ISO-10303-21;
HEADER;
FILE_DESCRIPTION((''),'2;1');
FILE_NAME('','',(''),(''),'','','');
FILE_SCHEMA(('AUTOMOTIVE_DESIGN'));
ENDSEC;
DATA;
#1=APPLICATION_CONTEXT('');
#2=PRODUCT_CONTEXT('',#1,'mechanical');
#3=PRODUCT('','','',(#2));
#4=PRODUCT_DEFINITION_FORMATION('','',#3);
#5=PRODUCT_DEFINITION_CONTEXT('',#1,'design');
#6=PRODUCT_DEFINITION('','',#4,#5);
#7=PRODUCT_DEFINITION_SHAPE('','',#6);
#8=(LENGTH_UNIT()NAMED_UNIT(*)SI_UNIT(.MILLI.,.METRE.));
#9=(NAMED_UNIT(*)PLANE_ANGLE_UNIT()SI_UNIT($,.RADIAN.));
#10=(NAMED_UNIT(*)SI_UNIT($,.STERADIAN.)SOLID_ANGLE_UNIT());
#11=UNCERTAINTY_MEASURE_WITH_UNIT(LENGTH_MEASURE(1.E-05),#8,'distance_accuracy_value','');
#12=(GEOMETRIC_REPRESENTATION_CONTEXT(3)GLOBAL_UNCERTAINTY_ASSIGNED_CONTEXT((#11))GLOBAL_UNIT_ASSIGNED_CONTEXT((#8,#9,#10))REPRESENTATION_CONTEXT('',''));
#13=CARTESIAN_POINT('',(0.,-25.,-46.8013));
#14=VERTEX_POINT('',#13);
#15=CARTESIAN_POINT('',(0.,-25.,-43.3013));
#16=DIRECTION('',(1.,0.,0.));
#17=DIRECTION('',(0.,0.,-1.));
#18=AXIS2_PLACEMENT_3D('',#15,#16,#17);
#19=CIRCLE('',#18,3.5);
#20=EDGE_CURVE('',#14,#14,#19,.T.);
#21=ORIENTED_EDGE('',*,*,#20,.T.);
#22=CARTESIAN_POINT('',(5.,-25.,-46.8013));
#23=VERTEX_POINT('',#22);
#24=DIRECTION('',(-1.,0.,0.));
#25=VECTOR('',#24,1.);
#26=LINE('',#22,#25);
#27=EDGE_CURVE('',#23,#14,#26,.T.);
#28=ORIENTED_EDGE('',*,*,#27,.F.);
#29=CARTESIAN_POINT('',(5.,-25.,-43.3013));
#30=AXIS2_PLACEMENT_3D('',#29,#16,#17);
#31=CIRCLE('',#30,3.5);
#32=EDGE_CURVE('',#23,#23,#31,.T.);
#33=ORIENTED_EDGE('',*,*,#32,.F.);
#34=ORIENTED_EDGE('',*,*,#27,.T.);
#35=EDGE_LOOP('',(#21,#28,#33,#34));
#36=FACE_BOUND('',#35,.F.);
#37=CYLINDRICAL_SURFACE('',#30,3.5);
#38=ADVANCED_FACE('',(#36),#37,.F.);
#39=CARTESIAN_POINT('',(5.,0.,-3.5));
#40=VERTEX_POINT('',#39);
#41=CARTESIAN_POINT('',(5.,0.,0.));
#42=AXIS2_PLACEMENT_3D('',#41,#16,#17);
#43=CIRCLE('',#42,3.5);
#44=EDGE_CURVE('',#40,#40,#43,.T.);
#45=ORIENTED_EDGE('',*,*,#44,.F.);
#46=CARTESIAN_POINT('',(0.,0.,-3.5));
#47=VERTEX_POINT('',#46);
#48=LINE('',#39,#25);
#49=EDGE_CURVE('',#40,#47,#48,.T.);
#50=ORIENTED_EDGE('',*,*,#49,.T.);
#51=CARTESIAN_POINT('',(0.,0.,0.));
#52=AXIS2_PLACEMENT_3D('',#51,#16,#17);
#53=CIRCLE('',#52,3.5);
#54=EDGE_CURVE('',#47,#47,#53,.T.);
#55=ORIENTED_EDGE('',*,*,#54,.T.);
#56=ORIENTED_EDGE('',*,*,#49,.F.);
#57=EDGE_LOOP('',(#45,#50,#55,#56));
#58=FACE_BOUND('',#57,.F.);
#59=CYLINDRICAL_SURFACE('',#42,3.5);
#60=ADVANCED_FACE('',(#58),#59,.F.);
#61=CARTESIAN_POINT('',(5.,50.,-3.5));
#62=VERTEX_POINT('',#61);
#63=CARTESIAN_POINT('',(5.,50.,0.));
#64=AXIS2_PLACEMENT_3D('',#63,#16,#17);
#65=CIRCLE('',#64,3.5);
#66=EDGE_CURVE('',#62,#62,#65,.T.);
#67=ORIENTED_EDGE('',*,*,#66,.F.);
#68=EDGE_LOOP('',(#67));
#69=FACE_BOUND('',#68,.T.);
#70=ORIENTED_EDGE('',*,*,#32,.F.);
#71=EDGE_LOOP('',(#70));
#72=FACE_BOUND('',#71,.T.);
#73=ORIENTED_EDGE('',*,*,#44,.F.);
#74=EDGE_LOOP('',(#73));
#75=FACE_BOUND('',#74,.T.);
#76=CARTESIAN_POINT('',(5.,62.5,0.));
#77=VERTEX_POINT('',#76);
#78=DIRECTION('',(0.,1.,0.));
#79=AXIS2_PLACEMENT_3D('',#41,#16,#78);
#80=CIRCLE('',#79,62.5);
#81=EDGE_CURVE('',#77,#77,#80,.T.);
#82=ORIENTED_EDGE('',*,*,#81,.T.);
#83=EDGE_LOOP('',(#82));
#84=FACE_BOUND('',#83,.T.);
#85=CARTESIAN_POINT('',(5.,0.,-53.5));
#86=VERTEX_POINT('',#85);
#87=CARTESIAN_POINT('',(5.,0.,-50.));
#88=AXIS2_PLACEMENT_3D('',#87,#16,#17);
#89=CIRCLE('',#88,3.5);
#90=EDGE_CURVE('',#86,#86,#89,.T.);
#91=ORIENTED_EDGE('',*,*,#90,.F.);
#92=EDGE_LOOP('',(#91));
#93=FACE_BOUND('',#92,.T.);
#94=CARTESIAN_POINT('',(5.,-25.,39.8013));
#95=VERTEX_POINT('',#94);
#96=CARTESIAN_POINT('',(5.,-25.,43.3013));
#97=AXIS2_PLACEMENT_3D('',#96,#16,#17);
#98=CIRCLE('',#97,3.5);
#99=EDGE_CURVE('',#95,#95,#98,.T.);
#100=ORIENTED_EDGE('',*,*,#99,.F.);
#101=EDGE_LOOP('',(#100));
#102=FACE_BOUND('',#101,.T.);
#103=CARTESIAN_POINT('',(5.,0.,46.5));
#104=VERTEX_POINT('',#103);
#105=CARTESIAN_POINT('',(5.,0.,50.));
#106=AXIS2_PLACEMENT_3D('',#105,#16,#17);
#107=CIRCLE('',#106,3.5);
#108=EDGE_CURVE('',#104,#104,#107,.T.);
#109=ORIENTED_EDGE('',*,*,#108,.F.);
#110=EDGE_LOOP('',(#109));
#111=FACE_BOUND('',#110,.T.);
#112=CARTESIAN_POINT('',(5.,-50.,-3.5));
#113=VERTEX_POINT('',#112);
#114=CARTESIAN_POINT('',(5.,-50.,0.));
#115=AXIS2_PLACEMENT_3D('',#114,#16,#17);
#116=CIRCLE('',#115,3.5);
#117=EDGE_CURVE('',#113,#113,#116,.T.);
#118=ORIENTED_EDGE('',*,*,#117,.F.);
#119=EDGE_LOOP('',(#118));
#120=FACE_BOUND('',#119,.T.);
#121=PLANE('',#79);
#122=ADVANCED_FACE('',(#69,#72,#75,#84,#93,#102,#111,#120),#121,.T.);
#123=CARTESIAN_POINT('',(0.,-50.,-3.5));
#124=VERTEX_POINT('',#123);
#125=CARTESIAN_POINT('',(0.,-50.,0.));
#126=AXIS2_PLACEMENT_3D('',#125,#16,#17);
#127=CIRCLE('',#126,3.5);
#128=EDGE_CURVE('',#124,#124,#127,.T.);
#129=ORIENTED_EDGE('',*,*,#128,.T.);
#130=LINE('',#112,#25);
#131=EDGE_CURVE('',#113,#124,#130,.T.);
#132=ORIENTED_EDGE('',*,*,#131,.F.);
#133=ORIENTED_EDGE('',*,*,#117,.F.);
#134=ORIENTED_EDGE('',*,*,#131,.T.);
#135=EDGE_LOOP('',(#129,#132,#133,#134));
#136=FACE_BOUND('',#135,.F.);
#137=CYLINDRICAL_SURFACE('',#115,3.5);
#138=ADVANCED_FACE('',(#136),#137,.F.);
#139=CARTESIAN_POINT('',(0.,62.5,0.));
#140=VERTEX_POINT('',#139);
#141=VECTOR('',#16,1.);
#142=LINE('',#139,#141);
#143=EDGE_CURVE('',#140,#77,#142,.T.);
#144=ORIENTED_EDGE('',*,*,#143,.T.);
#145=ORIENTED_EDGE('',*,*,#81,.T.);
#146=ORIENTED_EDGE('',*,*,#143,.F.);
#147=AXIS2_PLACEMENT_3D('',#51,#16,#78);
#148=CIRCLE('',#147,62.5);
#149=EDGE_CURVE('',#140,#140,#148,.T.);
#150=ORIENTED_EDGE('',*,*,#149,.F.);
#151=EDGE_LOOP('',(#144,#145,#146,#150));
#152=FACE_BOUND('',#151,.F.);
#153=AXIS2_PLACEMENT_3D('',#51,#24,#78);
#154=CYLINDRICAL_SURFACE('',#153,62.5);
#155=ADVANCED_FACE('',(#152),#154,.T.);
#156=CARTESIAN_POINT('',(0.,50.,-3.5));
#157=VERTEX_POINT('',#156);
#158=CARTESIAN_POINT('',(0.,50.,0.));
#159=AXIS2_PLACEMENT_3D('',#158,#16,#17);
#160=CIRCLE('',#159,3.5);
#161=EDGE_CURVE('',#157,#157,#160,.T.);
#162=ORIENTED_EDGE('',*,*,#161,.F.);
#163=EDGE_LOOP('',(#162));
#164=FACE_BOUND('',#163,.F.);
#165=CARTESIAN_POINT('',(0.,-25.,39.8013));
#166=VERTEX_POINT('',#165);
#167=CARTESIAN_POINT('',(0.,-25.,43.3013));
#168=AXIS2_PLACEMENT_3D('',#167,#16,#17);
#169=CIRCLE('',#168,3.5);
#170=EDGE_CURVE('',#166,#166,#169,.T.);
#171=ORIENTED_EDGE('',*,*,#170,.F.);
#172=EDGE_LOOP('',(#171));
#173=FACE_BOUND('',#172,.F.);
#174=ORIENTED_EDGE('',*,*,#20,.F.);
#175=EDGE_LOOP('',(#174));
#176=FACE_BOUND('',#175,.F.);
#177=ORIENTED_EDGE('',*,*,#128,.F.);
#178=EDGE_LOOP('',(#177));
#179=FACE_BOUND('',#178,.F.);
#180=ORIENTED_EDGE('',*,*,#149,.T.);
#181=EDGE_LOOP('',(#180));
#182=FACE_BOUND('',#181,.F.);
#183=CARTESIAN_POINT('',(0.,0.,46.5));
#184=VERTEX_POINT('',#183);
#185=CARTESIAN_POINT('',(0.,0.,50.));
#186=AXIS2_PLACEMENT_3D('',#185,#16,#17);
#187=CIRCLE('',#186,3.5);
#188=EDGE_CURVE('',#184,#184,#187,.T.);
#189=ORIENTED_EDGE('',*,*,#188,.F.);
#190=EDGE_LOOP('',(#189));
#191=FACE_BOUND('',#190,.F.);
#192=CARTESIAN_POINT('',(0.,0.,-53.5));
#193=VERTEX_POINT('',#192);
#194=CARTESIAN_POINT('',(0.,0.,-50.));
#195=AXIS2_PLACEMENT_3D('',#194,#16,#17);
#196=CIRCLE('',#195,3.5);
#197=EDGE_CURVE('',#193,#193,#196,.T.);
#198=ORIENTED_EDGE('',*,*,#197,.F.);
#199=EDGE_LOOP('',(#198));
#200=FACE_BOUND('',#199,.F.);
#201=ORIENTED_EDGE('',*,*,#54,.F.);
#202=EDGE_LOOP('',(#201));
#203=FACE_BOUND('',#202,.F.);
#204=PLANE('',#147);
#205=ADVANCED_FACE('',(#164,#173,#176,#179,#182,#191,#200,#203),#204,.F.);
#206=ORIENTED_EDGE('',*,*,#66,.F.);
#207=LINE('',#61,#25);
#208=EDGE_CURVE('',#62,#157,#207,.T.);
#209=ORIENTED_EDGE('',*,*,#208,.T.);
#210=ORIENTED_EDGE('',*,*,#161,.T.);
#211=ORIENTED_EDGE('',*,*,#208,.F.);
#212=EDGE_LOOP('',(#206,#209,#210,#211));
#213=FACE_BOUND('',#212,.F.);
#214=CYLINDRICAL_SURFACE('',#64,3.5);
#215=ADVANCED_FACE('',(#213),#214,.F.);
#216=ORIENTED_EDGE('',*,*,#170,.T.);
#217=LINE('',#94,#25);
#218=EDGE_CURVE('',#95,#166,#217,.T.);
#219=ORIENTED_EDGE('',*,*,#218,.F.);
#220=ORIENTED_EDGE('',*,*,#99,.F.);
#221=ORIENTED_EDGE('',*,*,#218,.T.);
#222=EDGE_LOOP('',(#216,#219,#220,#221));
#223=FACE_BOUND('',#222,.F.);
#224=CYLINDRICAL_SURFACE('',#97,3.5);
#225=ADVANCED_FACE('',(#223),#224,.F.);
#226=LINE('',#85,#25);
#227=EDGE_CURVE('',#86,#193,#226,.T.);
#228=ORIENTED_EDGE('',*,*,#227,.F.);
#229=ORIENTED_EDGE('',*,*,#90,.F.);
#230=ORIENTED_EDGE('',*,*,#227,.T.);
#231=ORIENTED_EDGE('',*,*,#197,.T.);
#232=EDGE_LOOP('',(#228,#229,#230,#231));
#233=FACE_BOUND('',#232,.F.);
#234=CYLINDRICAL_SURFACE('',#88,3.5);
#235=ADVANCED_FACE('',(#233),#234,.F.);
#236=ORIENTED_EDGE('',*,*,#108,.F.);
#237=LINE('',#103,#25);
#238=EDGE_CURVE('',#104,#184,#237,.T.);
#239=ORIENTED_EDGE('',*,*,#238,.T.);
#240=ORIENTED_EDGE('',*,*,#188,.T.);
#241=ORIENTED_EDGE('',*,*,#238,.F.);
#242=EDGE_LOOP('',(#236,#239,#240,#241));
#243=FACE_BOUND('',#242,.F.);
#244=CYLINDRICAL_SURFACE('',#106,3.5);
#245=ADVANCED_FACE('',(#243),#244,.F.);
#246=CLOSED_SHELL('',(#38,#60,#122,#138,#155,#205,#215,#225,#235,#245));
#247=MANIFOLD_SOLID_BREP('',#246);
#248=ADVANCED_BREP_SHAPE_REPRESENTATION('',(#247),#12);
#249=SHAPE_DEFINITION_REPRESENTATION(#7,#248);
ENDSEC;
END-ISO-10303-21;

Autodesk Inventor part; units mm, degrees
ref_plane "YZ Plane" through (0, 0, 0) normal (1, 0, 0) x (0, 1, 0)
ref_plane "XZ Plane" through (0, 0, 0) normal (0, 1, 0) x (-1, 0, 0)
ref_plane "XY Plane" through (0, 0, 0) normal (0, 0, 1) x (1, 0, 0)
sketch "Sketch1" plane through (0, 0, 0) normal (1, 0, 0) x (0, 1, 0)
  circle A0 centre (0, 0) radius 62.5
  dimension "d0" = 125
extrude "Extrusion1" add sketch "Sketch1" along normal blind 5
sketch "Sketch2" plane through (5, 0, 0) normal (1, 0, 0) x (0, 0, -1)
  circle A0 centre (0, 50) radius 3.5
  circle A1 centre (-50, 0) radius 3.5
  circle A2 centre (0, -50) radius 3.5
  circle A3 centre (50, 0) radius 3.5
  circle A4 centre (-43.3013, -25) radius 3.5
  circle A5 centre (43.3013, -25) radius 3.5
  circle A6 centre (0, 0) radius 3.5
  dimension "d3" = 7
  dimension "d4" = 0
  dimension "d5" = 50
  dimension "d8" = 360
  dimension "d12" = 360
  dimension "d16" = 7
extrude "Extrusion2" cut sketch "Sketch2" against normal through all
properties part number "Base"
